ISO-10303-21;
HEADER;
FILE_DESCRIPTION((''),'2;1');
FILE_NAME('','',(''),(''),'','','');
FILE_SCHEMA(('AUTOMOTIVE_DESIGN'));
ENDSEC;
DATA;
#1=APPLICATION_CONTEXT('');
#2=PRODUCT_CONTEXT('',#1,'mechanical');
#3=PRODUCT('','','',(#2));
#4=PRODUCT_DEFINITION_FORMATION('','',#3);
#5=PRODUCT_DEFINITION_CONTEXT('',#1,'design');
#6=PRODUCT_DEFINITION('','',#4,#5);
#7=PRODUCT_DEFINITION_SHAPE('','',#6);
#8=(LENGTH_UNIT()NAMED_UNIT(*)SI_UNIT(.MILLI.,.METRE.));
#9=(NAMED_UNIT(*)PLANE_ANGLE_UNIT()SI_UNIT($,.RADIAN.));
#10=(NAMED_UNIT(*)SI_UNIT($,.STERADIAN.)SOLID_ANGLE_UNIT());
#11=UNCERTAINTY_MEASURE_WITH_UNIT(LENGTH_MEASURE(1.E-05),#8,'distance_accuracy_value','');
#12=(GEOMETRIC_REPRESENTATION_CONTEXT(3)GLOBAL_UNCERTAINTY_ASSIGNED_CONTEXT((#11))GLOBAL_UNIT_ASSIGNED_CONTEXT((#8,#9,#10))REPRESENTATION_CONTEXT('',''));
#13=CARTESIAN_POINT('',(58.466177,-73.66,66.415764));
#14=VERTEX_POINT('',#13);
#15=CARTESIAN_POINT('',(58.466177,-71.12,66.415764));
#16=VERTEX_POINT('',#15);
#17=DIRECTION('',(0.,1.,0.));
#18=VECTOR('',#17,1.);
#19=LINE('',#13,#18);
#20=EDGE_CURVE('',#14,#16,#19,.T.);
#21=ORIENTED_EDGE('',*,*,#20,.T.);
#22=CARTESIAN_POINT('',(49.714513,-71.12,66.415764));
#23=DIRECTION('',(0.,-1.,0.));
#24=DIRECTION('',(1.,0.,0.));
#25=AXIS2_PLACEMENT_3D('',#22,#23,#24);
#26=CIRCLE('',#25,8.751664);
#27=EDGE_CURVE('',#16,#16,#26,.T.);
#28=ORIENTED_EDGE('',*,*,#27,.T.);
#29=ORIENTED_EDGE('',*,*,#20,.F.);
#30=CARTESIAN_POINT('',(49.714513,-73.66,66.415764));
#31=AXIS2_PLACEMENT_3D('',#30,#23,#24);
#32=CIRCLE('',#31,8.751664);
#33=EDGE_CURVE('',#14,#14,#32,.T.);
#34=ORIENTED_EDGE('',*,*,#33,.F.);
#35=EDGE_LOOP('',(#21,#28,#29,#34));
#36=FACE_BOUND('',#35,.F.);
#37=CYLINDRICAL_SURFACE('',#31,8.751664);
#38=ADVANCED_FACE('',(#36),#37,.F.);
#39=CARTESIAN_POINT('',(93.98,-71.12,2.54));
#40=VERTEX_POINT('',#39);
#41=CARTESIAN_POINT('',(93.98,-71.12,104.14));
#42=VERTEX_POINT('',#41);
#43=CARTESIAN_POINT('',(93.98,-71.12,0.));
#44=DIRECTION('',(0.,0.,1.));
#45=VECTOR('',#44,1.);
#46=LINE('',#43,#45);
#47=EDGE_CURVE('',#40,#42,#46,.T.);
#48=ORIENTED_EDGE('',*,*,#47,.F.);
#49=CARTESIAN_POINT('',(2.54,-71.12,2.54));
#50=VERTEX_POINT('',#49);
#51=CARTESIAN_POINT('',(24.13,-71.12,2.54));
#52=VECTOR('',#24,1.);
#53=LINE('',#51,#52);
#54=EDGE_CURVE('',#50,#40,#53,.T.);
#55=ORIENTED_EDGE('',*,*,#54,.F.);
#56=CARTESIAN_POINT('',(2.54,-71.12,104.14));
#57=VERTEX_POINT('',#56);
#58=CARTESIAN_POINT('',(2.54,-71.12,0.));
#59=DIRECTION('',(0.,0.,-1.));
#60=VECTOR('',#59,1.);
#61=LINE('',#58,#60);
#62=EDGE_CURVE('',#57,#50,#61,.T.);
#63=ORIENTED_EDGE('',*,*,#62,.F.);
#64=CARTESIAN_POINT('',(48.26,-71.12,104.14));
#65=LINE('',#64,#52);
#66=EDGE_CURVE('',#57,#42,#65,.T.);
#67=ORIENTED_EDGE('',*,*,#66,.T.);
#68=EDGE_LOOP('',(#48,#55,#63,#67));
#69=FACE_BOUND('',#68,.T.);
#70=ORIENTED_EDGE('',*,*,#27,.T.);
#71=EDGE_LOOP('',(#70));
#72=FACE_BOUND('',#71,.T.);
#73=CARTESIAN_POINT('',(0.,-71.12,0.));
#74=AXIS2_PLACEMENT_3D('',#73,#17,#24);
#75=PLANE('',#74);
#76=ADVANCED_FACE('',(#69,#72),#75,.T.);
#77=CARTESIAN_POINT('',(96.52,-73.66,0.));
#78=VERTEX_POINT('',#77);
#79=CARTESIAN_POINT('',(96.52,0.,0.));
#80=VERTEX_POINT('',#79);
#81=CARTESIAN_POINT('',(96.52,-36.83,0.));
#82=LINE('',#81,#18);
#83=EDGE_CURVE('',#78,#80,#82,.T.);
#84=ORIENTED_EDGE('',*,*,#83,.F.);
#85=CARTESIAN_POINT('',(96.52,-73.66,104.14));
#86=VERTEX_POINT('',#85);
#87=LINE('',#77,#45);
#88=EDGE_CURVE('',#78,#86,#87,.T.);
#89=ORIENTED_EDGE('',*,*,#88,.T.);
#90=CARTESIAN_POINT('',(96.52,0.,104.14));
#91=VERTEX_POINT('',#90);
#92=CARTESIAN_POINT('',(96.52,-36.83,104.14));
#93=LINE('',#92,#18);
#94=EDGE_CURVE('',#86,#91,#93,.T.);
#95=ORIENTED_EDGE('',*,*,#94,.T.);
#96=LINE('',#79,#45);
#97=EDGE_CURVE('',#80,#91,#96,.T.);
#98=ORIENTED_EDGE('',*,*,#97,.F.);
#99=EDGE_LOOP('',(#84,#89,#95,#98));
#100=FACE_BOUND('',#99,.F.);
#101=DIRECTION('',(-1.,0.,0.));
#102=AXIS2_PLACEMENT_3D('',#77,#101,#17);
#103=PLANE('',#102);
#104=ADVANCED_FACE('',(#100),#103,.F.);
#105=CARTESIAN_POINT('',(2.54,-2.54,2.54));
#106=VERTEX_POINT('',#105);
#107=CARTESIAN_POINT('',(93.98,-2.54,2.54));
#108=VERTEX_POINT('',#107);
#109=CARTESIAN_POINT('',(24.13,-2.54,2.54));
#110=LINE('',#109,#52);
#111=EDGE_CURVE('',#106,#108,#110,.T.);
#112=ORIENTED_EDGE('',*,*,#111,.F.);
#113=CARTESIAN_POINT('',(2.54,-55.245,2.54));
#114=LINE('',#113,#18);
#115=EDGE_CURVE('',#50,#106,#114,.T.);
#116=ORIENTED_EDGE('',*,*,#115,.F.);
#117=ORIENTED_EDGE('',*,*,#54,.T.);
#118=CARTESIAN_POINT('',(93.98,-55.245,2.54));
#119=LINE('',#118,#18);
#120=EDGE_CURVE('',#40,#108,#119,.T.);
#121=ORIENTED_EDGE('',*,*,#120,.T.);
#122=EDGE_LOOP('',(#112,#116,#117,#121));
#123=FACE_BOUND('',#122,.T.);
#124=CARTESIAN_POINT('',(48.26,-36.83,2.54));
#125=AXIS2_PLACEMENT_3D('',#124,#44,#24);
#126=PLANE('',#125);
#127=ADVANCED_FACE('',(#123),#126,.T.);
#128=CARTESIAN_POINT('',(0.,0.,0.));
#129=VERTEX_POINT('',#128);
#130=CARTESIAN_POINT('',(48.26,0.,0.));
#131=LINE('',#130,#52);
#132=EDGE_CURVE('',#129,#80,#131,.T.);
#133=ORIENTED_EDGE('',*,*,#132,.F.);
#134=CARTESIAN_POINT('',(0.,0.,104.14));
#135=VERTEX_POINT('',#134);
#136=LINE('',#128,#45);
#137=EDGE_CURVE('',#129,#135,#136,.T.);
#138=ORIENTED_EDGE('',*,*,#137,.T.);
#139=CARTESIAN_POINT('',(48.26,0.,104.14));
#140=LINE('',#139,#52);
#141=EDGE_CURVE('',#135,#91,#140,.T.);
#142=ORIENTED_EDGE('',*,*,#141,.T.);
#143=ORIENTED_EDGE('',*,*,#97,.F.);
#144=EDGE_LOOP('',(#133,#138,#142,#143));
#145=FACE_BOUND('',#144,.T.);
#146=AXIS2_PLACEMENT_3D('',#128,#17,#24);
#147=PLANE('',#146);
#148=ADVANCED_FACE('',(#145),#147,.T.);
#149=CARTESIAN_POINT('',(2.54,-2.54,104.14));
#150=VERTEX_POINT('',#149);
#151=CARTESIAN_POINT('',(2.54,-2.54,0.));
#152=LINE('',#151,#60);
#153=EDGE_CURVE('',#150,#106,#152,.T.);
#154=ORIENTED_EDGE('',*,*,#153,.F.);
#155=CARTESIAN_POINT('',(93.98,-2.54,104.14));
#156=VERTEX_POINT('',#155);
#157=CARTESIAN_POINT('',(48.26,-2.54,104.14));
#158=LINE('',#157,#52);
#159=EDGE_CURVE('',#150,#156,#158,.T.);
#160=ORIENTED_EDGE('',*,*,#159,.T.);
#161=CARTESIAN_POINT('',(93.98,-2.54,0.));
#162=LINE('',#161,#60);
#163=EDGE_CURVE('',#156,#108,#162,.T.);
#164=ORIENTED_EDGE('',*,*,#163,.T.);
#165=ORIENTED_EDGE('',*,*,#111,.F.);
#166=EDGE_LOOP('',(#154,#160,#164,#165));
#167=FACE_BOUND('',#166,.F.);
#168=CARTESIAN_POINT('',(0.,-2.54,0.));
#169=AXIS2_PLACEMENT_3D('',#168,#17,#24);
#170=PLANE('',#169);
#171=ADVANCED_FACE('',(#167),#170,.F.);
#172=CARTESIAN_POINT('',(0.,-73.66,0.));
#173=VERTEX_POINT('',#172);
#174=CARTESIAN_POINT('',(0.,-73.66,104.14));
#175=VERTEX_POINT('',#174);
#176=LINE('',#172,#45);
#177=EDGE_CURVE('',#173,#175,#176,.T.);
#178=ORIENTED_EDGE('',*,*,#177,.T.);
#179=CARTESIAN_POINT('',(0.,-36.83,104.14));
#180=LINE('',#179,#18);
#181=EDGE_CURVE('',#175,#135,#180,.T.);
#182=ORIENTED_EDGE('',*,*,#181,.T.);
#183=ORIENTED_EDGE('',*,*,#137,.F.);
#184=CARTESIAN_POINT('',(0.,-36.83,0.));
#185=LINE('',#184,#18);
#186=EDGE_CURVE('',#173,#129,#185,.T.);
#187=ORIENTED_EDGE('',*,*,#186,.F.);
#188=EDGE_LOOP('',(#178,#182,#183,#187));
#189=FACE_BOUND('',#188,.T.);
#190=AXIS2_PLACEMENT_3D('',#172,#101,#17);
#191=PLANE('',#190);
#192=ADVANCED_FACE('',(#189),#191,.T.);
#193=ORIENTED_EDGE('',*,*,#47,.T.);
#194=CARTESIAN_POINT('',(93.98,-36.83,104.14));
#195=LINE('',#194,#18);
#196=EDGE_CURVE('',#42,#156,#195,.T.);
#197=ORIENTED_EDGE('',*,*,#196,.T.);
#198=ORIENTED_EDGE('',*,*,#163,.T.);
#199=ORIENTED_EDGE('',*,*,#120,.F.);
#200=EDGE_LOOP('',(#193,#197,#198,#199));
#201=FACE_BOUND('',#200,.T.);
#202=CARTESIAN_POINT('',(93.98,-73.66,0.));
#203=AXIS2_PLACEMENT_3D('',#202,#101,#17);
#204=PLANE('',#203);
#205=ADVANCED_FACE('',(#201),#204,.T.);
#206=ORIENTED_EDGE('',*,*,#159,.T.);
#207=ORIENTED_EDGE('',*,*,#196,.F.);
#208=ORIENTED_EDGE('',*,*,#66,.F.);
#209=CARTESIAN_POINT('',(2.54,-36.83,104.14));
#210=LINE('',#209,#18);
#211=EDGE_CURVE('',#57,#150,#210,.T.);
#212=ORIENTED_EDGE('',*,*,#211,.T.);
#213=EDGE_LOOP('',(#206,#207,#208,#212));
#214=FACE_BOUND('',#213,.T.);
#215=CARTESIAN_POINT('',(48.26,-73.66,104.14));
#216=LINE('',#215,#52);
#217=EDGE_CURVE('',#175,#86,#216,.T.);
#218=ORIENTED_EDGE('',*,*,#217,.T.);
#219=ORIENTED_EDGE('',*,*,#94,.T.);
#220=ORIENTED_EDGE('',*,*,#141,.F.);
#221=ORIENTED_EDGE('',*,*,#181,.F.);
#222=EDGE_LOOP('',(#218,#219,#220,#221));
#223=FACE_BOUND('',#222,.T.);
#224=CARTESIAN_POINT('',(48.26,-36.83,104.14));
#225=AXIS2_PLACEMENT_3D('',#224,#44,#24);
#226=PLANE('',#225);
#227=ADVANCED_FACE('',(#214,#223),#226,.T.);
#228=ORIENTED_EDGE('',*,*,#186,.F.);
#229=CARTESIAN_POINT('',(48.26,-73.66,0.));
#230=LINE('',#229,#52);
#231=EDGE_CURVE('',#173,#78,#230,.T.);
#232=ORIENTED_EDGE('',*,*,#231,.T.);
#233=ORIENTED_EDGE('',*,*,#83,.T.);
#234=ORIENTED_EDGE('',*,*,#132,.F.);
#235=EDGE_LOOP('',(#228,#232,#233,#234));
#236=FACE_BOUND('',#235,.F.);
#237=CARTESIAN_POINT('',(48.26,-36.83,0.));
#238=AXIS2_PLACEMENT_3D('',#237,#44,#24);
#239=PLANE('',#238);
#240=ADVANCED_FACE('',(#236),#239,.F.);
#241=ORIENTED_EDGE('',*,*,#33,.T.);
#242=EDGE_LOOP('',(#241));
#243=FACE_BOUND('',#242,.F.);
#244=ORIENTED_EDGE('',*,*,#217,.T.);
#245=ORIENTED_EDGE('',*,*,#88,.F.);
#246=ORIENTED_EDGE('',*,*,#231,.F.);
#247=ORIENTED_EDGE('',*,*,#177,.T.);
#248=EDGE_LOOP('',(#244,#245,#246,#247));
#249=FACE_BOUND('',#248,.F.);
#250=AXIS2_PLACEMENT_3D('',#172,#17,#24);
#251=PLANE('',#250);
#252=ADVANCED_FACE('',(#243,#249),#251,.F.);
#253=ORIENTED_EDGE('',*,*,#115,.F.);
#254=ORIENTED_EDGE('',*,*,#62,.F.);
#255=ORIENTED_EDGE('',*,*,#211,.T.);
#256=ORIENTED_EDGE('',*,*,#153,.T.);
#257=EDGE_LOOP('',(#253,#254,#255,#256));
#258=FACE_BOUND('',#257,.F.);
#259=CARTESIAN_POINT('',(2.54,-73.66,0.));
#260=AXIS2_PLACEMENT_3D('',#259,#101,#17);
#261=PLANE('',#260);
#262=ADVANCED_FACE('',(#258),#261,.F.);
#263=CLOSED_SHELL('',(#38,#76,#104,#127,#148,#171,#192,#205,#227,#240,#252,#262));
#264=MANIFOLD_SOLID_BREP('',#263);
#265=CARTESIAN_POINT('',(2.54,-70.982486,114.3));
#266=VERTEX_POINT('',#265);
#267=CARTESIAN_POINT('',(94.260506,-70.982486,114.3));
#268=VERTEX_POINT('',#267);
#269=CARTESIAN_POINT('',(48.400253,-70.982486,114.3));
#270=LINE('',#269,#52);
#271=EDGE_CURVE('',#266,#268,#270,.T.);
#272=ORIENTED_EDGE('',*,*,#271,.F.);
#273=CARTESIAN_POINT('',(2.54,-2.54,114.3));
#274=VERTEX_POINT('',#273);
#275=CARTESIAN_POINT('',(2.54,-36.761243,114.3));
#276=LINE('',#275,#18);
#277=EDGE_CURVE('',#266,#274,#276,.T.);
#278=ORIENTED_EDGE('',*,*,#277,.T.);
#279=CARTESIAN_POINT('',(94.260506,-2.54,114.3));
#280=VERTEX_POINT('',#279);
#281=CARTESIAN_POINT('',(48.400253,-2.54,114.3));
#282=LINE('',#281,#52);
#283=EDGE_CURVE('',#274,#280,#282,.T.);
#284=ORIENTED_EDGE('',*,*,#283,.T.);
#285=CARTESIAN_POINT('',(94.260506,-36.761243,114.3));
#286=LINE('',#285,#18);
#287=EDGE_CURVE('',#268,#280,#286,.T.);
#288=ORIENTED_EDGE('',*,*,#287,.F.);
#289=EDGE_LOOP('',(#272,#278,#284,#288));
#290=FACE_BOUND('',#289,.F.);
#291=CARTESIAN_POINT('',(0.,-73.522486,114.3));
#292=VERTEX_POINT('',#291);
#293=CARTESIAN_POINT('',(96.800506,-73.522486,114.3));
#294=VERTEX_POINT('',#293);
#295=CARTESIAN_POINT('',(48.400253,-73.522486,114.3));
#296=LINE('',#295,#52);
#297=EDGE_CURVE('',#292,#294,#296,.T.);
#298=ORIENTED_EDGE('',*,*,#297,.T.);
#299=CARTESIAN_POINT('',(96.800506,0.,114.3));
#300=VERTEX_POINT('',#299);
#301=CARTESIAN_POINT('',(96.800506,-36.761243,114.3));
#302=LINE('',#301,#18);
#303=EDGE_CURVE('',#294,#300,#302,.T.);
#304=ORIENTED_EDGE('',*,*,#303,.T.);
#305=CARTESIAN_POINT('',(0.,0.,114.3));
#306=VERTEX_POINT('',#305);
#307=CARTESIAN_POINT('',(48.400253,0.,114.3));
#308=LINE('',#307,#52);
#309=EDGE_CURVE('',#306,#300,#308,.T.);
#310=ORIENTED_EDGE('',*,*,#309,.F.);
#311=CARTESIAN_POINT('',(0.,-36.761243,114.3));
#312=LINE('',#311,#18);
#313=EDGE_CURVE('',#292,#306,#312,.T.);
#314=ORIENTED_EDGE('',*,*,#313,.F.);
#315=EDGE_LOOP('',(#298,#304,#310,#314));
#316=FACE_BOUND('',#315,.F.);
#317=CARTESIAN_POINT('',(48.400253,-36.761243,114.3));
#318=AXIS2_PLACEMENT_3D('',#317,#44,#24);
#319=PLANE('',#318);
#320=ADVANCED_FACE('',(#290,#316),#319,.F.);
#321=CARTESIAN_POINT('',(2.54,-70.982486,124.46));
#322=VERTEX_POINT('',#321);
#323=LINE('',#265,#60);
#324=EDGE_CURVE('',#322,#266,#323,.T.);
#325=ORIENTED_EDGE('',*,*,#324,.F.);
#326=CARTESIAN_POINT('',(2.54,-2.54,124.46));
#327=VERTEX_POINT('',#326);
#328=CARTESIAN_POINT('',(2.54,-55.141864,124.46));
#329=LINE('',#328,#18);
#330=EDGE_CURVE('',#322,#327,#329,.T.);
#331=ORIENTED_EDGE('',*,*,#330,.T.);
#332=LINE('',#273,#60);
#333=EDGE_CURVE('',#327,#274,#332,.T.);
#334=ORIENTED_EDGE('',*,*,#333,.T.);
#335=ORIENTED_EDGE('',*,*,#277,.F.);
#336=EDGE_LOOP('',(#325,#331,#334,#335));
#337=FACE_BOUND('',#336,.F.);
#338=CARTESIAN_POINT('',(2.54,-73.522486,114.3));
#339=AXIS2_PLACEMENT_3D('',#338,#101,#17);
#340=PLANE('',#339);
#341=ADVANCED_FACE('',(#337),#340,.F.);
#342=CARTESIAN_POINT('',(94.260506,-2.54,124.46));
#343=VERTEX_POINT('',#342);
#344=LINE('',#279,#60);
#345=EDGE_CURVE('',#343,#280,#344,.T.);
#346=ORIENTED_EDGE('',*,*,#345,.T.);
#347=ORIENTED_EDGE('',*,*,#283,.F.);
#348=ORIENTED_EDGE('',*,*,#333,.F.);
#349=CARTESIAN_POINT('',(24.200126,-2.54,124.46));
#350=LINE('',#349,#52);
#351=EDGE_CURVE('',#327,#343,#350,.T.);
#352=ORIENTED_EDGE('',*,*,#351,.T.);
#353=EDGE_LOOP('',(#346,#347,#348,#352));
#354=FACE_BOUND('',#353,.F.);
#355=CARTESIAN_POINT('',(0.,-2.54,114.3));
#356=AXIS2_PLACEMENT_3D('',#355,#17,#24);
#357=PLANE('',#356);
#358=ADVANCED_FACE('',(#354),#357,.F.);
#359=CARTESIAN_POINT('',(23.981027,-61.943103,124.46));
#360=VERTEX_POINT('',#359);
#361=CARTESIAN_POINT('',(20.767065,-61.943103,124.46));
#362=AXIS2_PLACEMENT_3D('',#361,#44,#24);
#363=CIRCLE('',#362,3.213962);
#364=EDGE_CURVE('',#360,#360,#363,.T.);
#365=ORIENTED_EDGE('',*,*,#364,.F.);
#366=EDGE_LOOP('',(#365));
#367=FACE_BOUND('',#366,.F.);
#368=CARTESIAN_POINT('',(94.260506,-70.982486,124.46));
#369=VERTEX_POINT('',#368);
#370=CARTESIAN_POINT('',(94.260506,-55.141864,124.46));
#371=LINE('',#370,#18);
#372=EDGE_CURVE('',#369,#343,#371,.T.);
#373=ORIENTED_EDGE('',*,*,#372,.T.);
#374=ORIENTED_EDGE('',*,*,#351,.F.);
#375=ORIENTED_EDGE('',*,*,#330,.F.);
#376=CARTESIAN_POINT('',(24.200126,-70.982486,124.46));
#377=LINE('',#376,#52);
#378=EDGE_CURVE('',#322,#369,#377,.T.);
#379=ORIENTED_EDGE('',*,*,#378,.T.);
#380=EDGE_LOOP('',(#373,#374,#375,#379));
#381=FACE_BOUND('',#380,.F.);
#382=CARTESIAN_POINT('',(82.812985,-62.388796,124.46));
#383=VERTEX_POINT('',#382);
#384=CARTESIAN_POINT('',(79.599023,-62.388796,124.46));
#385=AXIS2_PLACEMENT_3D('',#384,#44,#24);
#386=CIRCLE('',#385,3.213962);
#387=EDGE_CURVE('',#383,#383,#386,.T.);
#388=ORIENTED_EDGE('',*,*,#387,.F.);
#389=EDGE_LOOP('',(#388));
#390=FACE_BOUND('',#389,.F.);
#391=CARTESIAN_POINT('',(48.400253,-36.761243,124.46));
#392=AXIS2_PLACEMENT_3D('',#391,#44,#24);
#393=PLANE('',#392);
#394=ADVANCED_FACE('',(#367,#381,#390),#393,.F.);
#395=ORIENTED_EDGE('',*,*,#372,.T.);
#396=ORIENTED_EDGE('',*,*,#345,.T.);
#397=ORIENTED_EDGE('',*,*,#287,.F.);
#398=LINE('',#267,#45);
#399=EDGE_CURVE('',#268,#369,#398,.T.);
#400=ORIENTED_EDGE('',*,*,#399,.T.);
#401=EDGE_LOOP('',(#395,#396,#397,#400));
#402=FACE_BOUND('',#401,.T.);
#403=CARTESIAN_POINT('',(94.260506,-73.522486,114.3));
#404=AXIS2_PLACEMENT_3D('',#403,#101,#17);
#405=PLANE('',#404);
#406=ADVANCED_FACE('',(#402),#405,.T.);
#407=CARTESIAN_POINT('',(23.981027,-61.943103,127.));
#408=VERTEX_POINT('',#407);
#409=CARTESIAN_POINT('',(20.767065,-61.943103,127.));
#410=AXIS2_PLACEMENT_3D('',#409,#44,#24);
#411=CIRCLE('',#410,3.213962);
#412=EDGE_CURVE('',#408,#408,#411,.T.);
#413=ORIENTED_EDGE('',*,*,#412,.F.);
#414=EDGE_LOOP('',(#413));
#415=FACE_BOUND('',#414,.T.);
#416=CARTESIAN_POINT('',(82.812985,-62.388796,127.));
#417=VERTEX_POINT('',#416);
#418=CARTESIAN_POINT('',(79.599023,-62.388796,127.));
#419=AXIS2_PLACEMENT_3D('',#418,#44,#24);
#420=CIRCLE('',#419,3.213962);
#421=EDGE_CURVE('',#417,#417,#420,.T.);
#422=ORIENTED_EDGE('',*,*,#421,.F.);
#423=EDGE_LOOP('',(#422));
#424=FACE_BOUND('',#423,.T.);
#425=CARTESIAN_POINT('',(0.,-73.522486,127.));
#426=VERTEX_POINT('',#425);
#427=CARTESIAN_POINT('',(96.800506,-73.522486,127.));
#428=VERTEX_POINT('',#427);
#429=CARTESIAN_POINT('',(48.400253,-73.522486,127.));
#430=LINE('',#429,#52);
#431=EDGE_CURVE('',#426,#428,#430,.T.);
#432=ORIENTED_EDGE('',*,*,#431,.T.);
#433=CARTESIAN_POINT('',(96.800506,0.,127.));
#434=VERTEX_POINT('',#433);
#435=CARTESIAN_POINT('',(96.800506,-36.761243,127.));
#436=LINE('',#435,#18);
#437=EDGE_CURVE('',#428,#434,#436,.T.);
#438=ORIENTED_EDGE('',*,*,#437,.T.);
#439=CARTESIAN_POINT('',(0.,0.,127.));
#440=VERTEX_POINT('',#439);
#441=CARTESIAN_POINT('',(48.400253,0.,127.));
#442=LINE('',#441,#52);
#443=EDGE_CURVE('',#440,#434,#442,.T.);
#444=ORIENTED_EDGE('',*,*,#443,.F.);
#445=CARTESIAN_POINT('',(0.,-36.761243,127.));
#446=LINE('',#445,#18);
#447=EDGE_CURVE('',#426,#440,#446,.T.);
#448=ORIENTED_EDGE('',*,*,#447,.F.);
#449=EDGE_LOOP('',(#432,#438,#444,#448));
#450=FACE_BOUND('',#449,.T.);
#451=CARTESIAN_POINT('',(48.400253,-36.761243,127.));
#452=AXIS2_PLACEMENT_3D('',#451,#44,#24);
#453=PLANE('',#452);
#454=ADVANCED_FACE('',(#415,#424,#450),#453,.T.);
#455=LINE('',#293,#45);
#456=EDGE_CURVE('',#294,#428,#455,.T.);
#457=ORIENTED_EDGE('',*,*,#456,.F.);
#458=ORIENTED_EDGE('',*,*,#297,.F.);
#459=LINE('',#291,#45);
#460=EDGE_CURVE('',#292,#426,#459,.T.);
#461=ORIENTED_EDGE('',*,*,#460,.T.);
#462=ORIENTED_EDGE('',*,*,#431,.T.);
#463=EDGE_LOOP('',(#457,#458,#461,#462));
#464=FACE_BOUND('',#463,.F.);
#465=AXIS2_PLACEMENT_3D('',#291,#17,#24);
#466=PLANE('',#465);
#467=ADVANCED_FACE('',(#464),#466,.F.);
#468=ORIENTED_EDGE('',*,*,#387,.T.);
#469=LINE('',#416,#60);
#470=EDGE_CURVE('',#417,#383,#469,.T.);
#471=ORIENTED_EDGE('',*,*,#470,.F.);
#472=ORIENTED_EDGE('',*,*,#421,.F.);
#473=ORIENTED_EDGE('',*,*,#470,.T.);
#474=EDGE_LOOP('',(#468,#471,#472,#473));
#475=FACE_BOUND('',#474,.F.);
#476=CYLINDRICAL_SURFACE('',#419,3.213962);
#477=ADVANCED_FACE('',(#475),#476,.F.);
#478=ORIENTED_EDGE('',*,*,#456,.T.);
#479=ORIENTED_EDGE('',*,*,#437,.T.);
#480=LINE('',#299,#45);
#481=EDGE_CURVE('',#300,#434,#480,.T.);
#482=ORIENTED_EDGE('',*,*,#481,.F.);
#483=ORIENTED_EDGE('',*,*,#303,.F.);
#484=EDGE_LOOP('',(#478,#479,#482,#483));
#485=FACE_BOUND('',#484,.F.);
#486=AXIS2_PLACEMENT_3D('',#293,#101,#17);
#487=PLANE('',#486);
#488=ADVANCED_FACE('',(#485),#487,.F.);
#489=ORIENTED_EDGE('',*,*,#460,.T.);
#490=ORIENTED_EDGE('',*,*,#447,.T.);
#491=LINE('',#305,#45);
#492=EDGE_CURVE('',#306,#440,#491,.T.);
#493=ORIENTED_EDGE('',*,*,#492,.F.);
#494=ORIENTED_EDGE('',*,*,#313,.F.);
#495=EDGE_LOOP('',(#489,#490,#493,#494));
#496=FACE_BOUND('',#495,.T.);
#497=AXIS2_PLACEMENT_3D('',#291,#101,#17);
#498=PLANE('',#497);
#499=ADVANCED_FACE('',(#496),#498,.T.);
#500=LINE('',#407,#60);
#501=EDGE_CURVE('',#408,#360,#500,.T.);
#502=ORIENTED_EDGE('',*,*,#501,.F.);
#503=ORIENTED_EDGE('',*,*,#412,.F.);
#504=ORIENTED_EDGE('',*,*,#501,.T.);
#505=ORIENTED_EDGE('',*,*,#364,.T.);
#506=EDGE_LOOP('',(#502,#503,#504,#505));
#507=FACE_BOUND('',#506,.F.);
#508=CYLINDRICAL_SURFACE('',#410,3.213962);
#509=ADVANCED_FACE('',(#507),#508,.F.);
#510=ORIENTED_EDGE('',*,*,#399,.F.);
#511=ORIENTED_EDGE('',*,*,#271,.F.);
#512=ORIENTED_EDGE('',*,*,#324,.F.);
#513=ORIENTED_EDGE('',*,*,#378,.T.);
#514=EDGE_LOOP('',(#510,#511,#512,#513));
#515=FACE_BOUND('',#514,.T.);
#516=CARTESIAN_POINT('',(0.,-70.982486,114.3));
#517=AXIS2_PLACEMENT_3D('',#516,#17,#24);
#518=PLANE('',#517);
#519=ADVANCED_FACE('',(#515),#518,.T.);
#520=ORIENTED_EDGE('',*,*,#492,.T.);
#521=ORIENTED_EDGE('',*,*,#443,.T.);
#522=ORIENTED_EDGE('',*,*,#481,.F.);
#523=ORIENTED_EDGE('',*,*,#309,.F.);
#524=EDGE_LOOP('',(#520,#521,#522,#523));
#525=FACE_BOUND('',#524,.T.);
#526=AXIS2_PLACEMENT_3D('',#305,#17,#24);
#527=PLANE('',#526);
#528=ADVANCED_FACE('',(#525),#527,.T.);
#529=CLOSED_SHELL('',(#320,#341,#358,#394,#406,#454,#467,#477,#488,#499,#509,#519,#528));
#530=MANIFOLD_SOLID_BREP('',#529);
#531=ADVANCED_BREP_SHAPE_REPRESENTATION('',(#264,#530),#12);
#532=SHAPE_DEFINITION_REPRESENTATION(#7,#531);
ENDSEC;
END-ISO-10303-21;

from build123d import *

# Parameters (mm, degrees)
F0_W      = 96.52
F0_H      = 73.66
F1_DEPTH  = 104.14
F2_T      = -2.54
F3_R      = 8.751664
F4_DEPTH  = 25.4
F6_W      = 96.800506
F6_H      = 73.522486
F7_DEPTH  = 12.7
F8_T      = -2.54
F9_R      = 3.213962
F10_DEPTH = 2.54


with BuildPart() as f1:
    # F0 (on Top) → F1 (new body)
    with BuildSketch(Plane.XY):
        with Locations((48.26, -36.83)):
            Rectangle(F0_W, F0_H)
    extrude(amount=F1_DEPTH)

    # F2
    f2_openings = [f1.faces().sort_by_distance(p)[0] for p in [
        (48.26, -36.83, 104.14),
    ]]
    offset(amount=F2_T, openings=f2_openings)

    # F3 (on face) → F4 (cut)
    with BuildSketch(Plane.XZ.offset(73.66)):
        with Locations((49.714513, 66.415764)):
            Circle(F3_R)
    extrude(amount=-F4_DEPTH, mode=Mode.SUBTRACT)


with BuildPart() as f7:
    # F6 (on offset) → F7 (new body)
    with BuildSketch(Plane.XY.offset(114.3)):
        with Locations((48.400253, -36.761243)):
            Rectangle(F6_W, F6_H)
    extrude(amount=F7_DEPTH)

    # F8
    f8_openings = [f7.faces().sort_by_distance(p)[0] for p in [
        (48.400253, -36.761243, 114.3),
    ]]
    offset(amount=F8_T, openings=f8_openings)

    # F9 (on face) → F10 (cut)
    with BuildSketch(Plane.XY.offset(127)):
        with Locations((20.767065, -61.943103)):
            Circle(F9_R)
        with Locations((79.599023, -62.388796)):
            Circle(F9_R)
    extrude(amount=-F10_DEPTH, mode=Mode.SUBTRACT)


solid = Compound([f1.part, f7.part])
